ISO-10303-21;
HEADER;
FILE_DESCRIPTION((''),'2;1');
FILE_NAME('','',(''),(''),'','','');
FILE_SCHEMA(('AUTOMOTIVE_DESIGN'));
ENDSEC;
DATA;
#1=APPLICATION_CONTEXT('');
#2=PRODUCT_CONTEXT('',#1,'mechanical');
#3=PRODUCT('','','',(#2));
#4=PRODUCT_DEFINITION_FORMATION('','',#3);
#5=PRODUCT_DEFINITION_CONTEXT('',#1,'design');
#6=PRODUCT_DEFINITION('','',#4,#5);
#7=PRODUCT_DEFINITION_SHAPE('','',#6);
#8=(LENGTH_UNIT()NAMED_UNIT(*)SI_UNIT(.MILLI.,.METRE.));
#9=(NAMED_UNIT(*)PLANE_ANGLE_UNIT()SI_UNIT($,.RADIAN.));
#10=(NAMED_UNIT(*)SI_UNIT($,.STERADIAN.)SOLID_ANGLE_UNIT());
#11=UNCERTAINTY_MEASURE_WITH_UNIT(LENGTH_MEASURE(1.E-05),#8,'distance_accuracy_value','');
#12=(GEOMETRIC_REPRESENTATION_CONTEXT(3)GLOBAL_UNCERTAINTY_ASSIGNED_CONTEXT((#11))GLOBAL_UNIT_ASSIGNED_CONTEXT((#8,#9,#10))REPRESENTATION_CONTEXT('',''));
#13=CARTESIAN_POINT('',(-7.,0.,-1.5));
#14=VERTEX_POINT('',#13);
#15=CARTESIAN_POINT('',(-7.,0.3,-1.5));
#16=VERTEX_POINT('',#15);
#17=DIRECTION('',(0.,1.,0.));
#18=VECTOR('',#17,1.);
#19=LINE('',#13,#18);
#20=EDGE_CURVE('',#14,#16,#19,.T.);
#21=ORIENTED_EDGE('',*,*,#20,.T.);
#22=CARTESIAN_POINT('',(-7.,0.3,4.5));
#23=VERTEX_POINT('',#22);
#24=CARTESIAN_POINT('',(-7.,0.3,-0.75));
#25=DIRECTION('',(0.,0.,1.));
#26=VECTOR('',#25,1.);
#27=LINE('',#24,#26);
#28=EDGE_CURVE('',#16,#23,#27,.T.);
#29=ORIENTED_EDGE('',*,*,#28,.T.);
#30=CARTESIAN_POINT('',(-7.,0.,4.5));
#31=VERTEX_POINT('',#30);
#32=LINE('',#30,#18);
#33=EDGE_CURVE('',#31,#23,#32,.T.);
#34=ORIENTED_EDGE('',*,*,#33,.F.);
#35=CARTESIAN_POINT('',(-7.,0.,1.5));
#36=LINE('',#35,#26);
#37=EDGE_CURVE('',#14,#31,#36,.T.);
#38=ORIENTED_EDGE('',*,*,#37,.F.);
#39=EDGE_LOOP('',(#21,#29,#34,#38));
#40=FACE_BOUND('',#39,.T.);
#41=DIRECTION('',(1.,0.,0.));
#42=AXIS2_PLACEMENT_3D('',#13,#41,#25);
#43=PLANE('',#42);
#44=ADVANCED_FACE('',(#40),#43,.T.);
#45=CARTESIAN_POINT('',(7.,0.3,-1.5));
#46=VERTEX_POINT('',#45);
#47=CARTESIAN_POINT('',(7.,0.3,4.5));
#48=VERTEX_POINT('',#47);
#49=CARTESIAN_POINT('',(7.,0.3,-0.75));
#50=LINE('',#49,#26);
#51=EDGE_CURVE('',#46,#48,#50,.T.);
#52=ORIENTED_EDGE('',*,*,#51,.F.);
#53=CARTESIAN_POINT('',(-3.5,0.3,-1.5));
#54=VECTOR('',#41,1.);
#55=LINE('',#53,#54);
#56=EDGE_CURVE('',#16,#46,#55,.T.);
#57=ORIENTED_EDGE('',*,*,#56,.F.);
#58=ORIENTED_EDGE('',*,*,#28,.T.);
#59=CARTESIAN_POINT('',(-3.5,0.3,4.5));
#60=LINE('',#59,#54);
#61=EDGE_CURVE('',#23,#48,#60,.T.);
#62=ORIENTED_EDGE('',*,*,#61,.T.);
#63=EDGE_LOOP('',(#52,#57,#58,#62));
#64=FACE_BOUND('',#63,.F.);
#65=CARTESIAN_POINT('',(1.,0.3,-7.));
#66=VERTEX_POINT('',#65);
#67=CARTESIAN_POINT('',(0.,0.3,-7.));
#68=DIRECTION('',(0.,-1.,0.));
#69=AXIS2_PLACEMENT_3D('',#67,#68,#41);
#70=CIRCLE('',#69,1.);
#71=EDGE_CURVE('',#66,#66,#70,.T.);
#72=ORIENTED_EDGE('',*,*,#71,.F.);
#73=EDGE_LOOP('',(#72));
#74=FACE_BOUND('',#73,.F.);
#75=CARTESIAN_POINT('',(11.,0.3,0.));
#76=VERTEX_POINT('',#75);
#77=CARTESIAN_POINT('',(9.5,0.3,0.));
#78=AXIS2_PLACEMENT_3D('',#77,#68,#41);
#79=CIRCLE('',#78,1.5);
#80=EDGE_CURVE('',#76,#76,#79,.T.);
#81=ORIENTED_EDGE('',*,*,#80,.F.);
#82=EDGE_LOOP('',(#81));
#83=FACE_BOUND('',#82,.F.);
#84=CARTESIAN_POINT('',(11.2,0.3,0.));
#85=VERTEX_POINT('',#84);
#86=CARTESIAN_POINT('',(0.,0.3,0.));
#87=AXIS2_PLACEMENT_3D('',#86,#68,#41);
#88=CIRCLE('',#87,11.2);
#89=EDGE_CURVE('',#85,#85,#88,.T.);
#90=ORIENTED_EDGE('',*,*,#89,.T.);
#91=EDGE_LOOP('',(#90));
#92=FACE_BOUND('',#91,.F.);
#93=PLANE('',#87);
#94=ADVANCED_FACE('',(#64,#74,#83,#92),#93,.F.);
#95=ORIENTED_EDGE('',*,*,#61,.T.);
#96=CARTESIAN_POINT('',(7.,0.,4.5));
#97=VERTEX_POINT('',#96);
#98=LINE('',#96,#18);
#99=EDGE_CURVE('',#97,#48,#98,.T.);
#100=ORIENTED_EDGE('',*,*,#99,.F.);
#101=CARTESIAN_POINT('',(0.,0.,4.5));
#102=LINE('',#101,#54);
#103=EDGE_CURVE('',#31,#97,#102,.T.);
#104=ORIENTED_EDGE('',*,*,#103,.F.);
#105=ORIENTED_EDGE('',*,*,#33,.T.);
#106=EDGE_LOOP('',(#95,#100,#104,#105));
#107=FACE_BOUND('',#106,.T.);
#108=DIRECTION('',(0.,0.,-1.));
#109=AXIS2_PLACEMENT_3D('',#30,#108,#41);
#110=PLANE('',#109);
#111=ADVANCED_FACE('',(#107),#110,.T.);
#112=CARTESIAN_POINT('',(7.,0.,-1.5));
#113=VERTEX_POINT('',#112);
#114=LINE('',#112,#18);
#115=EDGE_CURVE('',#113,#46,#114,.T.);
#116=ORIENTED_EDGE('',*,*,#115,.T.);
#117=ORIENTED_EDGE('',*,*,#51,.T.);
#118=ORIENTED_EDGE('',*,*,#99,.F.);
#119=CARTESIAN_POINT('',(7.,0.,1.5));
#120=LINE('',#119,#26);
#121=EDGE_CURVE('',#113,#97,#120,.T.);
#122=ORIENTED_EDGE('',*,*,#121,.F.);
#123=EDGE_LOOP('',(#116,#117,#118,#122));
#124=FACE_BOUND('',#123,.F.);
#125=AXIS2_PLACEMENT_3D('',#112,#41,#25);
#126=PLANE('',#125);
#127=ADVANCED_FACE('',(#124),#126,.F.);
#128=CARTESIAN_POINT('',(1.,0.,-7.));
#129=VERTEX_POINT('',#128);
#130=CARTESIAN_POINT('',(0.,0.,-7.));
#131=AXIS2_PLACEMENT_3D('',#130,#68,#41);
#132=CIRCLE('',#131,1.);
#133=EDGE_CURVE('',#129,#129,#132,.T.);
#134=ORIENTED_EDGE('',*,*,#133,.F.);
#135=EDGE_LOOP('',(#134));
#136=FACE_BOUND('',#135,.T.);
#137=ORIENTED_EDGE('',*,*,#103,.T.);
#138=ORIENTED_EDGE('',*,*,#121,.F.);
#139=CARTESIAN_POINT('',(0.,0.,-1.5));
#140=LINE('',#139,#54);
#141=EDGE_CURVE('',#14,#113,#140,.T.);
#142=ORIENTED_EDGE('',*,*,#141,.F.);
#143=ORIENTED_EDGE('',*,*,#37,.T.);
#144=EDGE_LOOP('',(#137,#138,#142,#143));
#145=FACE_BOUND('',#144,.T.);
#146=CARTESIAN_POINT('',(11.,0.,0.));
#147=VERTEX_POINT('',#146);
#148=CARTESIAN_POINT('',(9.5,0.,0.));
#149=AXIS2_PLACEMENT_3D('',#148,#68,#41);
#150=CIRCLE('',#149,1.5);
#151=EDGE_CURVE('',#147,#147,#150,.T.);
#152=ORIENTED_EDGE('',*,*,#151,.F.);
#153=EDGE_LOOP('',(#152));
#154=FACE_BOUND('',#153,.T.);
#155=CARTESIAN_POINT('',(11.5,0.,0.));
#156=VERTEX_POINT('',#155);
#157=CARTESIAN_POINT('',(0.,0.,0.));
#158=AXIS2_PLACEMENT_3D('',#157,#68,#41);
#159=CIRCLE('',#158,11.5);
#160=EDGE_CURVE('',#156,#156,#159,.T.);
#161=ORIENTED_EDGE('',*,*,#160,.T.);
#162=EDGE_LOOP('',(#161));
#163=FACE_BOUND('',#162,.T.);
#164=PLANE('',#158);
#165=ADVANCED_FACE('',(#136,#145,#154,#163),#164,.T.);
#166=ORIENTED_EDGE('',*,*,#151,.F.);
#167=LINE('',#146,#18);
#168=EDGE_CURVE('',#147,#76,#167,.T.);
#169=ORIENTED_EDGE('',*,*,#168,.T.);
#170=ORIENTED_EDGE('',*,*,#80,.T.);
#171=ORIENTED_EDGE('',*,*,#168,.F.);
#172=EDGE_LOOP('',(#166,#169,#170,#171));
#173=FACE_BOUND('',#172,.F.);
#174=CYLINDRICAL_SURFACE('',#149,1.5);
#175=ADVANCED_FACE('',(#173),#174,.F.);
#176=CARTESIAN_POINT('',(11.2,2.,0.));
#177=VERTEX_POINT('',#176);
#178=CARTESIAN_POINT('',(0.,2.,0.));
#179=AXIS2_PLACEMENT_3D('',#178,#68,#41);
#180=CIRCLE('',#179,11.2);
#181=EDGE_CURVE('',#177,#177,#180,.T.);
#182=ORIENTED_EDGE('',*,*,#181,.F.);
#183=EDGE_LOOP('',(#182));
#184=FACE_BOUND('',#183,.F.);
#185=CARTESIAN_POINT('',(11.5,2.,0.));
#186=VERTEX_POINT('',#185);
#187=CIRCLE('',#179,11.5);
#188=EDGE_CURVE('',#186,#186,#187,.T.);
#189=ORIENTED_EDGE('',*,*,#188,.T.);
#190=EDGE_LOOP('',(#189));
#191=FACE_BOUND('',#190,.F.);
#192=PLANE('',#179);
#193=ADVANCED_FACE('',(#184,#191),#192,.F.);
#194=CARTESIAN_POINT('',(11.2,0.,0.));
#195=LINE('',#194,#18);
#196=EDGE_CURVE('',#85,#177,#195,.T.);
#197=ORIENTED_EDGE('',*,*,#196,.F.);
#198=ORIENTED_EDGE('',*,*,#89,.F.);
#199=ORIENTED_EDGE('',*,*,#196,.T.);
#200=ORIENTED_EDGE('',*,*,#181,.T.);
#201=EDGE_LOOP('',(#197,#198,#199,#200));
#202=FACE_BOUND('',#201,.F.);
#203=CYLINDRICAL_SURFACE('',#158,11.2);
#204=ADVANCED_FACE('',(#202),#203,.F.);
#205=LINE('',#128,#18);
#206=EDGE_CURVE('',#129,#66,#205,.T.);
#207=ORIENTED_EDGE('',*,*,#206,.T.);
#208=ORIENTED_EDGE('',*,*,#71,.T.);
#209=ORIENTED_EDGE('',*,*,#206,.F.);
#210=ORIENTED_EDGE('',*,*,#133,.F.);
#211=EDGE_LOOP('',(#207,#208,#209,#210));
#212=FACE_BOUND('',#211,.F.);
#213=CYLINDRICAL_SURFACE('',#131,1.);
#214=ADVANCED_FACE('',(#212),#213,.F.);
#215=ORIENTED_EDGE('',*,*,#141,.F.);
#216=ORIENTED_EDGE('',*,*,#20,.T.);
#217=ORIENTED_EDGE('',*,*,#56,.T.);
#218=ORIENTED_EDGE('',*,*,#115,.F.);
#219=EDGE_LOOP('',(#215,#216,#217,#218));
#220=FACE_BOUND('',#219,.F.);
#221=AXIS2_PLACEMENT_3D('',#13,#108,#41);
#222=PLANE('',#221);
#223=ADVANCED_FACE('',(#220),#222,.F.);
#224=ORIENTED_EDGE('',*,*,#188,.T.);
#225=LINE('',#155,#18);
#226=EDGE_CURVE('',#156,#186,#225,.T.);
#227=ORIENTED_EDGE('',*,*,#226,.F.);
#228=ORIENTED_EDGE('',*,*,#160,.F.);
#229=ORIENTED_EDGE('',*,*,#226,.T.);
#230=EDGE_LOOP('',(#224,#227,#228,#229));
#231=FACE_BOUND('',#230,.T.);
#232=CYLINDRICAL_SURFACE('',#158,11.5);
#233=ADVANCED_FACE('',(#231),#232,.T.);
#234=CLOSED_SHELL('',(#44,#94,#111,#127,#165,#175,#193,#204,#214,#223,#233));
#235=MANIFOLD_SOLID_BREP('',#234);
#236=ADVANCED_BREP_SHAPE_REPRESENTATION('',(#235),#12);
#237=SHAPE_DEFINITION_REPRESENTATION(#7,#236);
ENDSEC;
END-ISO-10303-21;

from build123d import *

# Parameters (mm, degrees)
F0_R     = 11.5
F2_DEPTH = 2
F3_T     = -0.3
F1_W     = 14
F1_H     = 6
F1_R     = 1
F1_R_2   = 1.5
F4_DEPTH = 2.001


with BuildPart() as f2:
    # F0 (on Front) → F2 (new body)
    with BuildSketch(Plane.XZ):
        Circle(F0_R)
    extrude(amount=-F2_DEPTH)

    # F3
    f3_openings = [f2.faces().sort_by_distance(p)[0] for p in [
        (0, 2, 0),
    ]]
    offset(amount=F3_T, openings=f3_openings)

    # F1 (on Front) → F4 (cut, through all)
    with BuildSketch(Plane.XZ):
        with Locations((0, 1.5)):
            Rectangle(F1_W, F1_H)
        with Locations((0, -7)):
            Circle(F1_R)
        with Locations((9.5, 0)):
            Circle(F1_R_2)
    extrude(amount=-F4_DEPTH, mode=Mode.SUBTRACT)


solid = f2.part
